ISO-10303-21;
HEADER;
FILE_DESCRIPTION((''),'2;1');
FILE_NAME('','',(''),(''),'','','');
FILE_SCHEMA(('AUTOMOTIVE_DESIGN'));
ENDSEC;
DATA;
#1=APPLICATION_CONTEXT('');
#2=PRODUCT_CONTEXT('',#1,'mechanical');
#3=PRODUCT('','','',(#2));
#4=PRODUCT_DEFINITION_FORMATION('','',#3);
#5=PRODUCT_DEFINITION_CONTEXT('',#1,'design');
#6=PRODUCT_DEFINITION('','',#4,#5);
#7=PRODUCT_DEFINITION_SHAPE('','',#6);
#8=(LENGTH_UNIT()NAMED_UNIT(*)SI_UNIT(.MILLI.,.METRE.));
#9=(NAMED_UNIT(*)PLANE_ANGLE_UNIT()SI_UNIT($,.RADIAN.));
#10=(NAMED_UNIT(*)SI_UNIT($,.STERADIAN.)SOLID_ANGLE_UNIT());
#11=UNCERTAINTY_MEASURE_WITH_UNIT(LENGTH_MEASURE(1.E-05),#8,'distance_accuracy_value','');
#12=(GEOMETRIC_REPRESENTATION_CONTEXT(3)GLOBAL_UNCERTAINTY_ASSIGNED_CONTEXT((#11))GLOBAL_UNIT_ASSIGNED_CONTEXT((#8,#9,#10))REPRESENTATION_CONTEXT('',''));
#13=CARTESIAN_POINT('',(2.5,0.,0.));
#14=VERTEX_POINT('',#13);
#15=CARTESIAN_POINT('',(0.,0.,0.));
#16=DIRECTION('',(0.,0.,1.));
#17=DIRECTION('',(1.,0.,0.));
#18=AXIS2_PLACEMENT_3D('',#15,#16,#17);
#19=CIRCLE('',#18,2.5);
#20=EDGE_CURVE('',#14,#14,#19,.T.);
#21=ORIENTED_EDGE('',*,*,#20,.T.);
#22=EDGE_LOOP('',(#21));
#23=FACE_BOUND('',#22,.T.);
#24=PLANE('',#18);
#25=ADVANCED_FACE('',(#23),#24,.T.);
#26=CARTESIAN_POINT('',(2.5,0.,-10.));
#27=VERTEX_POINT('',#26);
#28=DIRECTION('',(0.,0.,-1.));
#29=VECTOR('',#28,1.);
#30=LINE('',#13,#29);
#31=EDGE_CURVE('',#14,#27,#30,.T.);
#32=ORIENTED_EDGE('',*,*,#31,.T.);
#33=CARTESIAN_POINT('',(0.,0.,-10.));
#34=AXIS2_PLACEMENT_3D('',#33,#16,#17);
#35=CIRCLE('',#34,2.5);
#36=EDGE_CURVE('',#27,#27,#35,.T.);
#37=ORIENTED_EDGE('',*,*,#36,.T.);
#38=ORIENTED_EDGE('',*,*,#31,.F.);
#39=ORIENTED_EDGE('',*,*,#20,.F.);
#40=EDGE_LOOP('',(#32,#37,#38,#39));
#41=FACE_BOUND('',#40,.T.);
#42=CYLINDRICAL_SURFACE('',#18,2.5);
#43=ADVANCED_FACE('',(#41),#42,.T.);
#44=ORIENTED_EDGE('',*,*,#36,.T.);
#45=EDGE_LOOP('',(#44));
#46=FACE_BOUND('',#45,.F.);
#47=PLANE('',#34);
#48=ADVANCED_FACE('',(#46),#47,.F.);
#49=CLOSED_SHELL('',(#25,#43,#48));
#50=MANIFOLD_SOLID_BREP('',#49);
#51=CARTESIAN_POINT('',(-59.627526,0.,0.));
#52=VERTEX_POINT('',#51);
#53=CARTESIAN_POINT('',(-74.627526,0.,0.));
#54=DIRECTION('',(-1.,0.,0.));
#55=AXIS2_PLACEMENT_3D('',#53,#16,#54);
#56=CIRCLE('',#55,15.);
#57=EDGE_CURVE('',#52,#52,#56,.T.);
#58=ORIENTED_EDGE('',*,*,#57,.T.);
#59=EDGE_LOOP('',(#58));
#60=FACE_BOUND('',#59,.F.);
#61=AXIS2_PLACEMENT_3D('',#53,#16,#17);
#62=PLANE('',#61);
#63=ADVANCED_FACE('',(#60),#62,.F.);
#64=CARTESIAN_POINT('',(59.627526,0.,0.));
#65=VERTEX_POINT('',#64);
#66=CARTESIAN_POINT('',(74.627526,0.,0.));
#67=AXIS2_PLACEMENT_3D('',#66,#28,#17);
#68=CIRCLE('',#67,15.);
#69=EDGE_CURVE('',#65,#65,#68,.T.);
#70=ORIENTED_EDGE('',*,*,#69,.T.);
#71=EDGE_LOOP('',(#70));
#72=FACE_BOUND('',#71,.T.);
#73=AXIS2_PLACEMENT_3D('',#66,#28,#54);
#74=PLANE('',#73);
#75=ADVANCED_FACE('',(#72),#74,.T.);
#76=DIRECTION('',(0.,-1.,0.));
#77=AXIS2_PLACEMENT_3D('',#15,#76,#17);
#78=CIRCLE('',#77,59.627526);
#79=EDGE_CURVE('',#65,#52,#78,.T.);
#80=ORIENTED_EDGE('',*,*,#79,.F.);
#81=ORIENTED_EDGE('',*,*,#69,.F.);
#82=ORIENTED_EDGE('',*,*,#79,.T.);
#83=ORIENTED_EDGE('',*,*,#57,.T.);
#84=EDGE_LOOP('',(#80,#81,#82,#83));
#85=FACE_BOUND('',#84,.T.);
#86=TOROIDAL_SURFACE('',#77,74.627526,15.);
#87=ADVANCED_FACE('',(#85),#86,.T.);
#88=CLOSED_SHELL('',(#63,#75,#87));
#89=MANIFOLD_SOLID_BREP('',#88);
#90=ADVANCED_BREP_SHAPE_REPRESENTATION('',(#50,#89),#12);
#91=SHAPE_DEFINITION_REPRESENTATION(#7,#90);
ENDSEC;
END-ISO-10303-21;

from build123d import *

# Parameters (mm, degrees)
F1_R     = 15
F1_R_2   = 2.5
F3_DEPTH = 10


with BuildPart() as f2:
    # F2: sweep along a path in F0
    with BuildLine(Plane.XZ) as f2_path:
        ThreePointArc((75, 0), (0, 75), (-75, 0))
    # F1 (on Top) → F2 (sweep)
    with BuildSketch(Plane.XY):
        with Locations((-74.627526, 0)):
            Circle(F1_R)
    sweep(path=f2_path.line)


with BuildPart() as f3:
    # F1 (on Top) → F3 (new body)
    with BuildSketch(Plane.XY):
        Circle(F1_R_2)
    extrude(amount=-F3_DEPTH)


solid = Compound([f2.part, f3.part])
